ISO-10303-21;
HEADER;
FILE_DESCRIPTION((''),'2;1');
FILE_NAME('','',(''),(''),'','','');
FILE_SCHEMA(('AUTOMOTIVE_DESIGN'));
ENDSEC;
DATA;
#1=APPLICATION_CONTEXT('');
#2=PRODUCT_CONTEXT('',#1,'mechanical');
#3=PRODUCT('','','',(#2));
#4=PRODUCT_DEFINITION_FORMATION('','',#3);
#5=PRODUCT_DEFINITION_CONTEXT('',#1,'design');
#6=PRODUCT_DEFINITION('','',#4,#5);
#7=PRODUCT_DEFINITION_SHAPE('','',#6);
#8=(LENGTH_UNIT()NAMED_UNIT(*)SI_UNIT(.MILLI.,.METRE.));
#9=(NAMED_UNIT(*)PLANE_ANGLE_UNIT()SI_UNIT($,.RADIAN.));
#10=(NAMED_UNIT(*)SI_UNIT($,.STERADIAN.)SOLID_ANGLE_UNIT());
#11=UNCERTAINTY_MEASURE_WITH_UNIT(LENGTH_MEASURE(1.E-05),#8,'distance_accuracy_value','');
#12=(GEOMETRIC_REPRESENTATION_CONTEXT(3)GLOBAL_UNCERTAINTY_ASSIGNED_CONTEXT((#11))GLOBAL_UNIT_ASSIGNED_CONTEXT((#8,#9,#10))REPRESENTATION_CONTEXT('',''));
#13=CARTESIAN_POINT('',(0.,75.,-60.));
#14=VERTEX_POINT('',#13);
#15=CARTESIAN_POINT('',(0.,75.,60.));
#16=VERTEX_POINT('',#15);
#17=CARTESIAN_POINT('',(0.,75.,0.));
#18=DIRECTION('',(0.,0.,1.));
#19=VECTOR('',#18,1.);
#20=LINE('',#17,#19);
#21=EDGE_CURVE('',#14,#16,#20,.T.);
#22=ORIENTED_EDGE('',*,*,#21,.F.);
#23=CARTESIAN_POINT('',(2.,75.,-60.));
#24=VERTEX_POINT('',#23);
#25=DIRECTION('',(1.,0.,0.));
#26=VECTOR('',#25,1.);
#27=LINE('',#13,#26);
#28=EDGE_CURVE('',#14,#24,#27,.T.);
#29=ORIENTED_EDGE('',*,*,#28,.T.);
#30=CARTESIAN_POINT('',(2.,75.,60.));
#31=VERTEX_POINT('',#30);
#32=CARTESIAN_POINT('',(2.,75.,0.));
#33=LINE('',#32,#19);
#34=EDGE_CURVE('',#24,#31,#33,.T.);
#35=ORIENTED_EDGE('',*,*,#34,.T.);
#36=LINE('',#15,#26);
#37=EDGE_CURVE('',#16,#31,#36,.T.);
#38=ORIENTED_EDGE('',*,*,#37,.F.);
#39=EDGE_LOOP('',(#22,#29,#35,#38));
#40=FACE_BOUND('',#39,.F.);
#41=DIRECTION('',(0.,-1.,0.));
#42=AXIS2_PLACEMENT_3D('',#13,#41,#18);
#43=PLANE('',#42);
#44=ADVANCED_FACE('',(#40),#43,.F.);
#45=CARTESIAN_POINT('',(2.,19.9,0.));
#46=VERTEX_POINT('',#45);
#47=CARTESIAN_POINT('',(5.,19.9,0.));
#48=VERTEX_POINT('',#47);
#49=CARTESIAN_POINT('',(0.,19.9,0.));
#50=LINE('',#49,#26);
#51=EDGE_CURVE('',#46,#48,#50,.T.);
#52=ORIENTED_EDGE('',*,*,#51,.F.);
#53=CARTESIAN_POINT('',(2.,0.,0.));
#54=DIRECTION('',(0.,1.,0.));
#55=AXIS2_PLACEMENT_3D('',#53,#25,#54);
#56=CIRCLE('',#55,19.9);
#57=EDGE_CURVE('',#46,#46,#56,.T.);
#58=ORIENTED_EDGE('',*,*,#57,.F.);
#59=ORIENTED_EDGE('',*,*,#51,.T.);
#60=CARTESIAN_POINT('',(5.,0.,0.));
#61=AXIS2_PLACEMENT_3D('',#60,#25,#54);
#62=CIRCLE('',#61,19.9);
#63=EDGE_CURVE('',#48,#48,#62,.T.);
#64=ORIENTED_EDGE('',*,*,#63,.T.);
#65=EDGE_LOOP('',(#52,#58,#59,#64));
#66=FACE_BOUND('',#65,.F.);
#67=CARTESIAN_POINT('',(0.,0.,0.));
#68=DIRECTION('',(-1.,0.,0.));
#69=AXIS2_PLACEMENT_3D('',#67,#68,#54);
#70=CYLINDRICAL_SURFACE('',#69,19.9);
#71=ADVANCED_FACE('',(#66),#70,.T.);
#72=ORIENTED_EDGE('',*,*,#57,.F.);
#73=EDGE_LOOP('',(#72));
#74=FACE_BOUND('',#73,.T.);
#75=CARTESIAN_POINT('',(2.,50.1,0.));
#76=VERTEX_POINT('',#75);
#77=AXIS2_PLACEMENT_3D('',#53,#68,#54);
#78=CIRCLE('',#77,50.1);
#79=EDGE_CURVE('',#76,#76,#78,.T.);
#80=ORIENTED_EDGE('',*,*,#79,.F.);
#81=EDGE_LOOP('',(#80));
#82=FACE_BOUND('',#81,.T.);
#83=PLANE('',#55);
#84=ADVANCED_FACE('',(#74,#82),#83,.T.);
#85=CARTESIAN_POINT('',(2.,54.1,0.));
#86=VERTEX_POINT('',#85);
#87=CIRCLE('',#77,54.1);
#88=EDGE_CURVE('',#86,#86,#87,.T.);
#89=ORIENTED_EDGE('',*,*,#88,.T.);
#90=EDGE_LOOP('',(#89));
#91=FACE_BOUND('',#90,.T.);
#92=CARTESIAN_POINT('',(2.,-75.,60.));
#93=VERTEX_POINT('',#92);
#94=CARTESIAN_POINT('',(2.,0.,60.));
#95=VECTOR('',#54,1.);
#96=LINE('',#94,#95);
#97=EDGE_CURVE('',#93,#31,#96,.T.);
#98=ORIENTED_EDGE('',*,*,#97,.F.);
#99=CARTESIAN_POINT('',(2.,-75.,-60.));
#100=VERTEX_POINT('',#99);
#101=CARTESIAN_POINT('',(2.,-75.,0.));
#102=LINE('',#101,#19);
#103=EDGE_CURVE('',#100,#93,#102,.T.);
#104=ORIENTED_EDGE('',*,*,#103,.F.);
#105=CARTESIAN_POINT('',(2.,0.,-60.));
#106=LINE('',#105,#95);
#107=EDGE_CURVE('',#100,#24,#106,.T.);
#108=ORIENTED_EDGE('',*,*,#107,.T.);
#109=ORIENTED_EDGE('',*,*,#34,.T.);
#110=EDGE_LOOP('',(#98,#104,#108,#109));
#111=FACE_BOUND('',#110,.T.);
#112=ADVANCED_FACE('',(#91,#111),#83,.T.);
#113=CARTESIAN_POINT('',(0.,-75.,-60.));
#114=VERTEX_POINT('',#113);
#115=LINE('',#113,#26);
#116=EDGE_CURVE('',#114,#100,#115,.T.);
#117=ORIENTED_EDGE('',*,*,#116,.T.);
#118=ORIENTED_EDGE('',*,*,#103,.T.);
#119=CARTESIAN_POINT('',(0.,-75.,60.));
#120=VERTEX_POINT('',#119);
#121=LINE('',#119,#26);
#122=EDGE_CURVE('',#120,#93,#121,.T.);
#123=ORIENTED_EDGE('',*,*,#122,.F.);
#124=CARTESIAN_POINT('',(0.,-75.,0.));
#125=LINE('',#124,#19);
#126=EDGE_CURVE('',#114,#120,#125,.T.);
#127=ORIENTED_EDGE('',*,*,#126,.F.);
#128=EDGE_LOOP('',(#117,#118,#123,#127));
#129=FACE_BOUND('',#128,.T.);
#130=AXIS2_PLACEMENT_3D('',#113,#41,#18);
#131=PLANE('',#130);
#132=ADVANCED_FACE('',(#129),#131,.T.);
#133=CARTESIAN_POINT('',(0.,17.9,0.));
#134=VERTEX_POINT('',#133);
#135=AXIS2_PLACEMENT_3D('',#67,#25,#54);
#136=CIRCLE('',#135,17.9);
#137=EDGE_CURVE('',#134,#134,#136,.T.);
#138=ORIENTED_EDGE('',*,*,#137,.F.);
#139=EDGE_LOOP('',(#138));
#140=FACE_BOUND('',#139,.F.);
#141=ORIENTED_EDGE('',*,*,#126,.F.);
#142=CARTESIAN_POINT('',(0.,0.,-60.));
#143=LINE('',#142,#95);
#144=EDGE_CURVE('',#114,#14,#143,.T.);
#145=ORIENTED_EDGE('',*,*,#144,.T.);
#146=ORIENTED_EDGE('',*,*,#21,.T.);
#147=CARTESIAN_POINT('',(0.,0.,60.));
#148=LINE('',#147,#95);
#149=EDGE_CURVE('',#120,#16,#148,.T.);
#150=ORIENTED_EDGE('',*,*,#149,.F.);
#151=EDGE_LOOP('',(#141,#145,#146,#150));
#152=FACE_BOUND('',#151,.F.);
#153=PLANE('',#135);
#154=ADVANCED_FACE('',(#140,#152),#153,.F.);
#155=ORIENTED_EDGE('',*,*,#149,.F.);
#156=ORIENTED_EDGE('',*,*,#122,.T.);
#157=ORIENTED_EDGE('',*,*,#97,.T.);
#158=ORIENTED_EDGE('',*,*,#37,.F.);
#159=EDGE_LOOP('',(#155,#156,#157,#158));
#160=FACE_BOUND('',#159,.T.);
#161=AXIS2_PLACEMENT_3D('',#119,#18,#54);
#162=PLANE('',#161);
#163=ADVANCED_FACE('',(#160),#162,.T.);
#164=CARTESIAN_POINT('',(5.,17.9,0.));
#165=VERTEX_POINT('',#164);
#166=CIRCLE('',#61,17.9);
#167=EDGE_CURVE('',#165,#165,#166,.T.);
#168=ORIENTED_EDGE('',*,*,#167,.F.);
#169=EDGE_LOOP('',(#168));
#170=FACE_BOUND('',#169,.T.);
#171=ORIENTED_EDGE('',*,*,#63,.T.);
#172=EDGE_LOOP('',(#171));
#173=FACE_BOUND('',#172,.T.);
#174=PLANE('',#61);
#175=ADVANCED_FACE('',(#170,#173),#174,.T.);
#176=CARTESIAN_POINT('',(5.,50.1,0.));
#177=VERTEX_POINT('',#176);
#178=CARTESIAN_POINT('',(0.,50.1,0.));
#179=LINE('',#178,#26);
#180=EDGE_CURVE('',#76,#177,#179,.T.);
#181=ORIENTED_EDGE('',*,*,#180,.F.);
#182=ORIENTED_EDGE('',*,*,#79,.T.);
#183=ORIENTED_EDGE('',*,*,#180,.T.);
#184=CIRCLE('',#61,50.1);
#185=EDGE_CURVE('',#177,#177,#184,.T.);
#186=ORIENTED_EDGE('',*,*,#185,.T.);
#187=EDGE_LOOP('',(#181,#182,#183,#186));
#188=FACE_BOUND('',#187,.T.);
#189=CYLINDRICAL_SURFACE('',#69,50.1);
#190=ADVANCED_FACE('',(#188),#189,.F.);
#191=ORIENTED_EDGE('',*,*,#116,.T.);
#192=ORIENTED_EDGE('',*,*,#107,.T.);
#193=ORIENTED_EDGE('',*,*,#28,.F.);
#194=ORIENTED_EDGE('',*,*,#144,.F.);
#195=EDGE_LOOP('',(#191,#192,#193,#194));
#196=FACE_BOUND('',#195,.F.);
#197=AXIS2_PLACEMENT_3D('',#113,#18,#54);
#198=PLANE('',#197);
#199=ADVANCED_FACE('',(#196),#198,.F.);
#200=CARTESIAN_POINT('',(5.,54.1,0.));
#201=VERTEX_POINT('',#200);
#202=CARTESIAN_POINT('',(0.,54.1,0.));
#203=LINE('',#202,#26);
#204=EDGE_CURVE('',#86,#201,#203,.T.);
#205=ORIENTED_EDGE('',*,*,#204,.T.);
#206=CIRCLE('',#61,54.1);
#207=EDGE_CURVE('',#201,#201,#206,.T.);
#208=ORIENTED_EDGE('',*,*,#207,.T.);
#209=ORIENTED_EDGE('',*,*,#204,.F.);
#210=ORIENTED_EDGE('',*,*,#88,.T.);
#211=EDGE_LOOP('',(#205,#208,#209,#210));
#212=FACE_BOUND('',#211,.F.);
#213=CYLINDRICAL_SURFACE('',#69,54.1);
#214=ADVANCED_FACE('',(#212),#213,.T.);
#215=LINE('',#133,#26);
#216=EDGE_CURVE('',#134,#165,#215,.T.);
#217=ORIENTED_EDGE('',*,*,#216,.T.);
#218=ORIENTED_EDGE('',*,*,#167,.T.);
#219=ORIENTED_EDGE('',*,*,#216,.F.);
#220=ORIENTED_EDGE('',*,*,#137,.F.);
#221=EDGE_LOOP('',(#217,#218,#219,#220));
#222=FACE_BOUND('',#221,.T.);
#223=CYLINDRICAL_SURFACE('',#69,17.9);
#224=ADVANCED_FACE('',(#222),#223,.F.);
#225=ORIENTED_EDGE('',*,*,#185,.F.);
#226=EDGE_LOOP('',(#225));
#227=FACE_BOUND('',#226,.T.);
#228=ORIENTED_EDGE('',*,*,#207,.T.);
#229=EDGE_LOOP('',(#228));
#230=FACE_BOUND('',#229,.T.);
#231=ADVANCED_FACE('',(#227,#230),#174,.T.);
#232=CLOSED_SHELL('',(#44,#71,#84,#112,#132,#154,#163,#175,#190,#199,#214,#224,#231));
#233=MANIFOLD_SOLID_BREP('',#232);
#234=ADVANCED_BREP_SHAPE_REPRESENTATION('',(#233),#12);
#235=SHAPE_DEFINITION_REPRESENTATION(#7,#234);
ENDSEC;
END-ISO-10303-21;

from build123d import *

# Parameters (mm, degrees)
SKETCH012_W   = 150
SKETCH012_H   = 120
SKETCH012_R   = 19.9
PAD004_DEPTH  = 2
SKETCH013_R   = 19.9
SKETCH013_R_2 = 17.9
PAD005_DEPTH  = 5
SKETCH014_R   = 54.1
SKETCH014_R_2 = 50.1
PAD006_DEPTH  = 5


with BuildPart() as part:
    # Sketch012 → Pad004 (new body)
    with BuildSketch(Plane.YZ):
        Rectangle(SKETCH012_W, SKETCH012_H)
        Circle(SKETCH012_R, mode=Mode.SUBTRACT)
    extrude(amount=PAD004_DEPTH)

    # Sketch013 → Pad005 (join)
    with BuildSketch(Plane.YZ):
        Circle(SKETCH013_R)
        Circle(SKETCH013_R_2, mode=Mode.SUBTRACT)
    extrude(amount=PAD005_DEPTH)

    # Sketch014 → Pad006 (join)
    with BuildSketch(Plane.YZ):
        Circle(SKETCH014_R)
        Circle(SKETCH014_R_2, mode=Mode.SUBTRACT)
    extrude(amount=PAD006_DEPTH)


solid = part.part
